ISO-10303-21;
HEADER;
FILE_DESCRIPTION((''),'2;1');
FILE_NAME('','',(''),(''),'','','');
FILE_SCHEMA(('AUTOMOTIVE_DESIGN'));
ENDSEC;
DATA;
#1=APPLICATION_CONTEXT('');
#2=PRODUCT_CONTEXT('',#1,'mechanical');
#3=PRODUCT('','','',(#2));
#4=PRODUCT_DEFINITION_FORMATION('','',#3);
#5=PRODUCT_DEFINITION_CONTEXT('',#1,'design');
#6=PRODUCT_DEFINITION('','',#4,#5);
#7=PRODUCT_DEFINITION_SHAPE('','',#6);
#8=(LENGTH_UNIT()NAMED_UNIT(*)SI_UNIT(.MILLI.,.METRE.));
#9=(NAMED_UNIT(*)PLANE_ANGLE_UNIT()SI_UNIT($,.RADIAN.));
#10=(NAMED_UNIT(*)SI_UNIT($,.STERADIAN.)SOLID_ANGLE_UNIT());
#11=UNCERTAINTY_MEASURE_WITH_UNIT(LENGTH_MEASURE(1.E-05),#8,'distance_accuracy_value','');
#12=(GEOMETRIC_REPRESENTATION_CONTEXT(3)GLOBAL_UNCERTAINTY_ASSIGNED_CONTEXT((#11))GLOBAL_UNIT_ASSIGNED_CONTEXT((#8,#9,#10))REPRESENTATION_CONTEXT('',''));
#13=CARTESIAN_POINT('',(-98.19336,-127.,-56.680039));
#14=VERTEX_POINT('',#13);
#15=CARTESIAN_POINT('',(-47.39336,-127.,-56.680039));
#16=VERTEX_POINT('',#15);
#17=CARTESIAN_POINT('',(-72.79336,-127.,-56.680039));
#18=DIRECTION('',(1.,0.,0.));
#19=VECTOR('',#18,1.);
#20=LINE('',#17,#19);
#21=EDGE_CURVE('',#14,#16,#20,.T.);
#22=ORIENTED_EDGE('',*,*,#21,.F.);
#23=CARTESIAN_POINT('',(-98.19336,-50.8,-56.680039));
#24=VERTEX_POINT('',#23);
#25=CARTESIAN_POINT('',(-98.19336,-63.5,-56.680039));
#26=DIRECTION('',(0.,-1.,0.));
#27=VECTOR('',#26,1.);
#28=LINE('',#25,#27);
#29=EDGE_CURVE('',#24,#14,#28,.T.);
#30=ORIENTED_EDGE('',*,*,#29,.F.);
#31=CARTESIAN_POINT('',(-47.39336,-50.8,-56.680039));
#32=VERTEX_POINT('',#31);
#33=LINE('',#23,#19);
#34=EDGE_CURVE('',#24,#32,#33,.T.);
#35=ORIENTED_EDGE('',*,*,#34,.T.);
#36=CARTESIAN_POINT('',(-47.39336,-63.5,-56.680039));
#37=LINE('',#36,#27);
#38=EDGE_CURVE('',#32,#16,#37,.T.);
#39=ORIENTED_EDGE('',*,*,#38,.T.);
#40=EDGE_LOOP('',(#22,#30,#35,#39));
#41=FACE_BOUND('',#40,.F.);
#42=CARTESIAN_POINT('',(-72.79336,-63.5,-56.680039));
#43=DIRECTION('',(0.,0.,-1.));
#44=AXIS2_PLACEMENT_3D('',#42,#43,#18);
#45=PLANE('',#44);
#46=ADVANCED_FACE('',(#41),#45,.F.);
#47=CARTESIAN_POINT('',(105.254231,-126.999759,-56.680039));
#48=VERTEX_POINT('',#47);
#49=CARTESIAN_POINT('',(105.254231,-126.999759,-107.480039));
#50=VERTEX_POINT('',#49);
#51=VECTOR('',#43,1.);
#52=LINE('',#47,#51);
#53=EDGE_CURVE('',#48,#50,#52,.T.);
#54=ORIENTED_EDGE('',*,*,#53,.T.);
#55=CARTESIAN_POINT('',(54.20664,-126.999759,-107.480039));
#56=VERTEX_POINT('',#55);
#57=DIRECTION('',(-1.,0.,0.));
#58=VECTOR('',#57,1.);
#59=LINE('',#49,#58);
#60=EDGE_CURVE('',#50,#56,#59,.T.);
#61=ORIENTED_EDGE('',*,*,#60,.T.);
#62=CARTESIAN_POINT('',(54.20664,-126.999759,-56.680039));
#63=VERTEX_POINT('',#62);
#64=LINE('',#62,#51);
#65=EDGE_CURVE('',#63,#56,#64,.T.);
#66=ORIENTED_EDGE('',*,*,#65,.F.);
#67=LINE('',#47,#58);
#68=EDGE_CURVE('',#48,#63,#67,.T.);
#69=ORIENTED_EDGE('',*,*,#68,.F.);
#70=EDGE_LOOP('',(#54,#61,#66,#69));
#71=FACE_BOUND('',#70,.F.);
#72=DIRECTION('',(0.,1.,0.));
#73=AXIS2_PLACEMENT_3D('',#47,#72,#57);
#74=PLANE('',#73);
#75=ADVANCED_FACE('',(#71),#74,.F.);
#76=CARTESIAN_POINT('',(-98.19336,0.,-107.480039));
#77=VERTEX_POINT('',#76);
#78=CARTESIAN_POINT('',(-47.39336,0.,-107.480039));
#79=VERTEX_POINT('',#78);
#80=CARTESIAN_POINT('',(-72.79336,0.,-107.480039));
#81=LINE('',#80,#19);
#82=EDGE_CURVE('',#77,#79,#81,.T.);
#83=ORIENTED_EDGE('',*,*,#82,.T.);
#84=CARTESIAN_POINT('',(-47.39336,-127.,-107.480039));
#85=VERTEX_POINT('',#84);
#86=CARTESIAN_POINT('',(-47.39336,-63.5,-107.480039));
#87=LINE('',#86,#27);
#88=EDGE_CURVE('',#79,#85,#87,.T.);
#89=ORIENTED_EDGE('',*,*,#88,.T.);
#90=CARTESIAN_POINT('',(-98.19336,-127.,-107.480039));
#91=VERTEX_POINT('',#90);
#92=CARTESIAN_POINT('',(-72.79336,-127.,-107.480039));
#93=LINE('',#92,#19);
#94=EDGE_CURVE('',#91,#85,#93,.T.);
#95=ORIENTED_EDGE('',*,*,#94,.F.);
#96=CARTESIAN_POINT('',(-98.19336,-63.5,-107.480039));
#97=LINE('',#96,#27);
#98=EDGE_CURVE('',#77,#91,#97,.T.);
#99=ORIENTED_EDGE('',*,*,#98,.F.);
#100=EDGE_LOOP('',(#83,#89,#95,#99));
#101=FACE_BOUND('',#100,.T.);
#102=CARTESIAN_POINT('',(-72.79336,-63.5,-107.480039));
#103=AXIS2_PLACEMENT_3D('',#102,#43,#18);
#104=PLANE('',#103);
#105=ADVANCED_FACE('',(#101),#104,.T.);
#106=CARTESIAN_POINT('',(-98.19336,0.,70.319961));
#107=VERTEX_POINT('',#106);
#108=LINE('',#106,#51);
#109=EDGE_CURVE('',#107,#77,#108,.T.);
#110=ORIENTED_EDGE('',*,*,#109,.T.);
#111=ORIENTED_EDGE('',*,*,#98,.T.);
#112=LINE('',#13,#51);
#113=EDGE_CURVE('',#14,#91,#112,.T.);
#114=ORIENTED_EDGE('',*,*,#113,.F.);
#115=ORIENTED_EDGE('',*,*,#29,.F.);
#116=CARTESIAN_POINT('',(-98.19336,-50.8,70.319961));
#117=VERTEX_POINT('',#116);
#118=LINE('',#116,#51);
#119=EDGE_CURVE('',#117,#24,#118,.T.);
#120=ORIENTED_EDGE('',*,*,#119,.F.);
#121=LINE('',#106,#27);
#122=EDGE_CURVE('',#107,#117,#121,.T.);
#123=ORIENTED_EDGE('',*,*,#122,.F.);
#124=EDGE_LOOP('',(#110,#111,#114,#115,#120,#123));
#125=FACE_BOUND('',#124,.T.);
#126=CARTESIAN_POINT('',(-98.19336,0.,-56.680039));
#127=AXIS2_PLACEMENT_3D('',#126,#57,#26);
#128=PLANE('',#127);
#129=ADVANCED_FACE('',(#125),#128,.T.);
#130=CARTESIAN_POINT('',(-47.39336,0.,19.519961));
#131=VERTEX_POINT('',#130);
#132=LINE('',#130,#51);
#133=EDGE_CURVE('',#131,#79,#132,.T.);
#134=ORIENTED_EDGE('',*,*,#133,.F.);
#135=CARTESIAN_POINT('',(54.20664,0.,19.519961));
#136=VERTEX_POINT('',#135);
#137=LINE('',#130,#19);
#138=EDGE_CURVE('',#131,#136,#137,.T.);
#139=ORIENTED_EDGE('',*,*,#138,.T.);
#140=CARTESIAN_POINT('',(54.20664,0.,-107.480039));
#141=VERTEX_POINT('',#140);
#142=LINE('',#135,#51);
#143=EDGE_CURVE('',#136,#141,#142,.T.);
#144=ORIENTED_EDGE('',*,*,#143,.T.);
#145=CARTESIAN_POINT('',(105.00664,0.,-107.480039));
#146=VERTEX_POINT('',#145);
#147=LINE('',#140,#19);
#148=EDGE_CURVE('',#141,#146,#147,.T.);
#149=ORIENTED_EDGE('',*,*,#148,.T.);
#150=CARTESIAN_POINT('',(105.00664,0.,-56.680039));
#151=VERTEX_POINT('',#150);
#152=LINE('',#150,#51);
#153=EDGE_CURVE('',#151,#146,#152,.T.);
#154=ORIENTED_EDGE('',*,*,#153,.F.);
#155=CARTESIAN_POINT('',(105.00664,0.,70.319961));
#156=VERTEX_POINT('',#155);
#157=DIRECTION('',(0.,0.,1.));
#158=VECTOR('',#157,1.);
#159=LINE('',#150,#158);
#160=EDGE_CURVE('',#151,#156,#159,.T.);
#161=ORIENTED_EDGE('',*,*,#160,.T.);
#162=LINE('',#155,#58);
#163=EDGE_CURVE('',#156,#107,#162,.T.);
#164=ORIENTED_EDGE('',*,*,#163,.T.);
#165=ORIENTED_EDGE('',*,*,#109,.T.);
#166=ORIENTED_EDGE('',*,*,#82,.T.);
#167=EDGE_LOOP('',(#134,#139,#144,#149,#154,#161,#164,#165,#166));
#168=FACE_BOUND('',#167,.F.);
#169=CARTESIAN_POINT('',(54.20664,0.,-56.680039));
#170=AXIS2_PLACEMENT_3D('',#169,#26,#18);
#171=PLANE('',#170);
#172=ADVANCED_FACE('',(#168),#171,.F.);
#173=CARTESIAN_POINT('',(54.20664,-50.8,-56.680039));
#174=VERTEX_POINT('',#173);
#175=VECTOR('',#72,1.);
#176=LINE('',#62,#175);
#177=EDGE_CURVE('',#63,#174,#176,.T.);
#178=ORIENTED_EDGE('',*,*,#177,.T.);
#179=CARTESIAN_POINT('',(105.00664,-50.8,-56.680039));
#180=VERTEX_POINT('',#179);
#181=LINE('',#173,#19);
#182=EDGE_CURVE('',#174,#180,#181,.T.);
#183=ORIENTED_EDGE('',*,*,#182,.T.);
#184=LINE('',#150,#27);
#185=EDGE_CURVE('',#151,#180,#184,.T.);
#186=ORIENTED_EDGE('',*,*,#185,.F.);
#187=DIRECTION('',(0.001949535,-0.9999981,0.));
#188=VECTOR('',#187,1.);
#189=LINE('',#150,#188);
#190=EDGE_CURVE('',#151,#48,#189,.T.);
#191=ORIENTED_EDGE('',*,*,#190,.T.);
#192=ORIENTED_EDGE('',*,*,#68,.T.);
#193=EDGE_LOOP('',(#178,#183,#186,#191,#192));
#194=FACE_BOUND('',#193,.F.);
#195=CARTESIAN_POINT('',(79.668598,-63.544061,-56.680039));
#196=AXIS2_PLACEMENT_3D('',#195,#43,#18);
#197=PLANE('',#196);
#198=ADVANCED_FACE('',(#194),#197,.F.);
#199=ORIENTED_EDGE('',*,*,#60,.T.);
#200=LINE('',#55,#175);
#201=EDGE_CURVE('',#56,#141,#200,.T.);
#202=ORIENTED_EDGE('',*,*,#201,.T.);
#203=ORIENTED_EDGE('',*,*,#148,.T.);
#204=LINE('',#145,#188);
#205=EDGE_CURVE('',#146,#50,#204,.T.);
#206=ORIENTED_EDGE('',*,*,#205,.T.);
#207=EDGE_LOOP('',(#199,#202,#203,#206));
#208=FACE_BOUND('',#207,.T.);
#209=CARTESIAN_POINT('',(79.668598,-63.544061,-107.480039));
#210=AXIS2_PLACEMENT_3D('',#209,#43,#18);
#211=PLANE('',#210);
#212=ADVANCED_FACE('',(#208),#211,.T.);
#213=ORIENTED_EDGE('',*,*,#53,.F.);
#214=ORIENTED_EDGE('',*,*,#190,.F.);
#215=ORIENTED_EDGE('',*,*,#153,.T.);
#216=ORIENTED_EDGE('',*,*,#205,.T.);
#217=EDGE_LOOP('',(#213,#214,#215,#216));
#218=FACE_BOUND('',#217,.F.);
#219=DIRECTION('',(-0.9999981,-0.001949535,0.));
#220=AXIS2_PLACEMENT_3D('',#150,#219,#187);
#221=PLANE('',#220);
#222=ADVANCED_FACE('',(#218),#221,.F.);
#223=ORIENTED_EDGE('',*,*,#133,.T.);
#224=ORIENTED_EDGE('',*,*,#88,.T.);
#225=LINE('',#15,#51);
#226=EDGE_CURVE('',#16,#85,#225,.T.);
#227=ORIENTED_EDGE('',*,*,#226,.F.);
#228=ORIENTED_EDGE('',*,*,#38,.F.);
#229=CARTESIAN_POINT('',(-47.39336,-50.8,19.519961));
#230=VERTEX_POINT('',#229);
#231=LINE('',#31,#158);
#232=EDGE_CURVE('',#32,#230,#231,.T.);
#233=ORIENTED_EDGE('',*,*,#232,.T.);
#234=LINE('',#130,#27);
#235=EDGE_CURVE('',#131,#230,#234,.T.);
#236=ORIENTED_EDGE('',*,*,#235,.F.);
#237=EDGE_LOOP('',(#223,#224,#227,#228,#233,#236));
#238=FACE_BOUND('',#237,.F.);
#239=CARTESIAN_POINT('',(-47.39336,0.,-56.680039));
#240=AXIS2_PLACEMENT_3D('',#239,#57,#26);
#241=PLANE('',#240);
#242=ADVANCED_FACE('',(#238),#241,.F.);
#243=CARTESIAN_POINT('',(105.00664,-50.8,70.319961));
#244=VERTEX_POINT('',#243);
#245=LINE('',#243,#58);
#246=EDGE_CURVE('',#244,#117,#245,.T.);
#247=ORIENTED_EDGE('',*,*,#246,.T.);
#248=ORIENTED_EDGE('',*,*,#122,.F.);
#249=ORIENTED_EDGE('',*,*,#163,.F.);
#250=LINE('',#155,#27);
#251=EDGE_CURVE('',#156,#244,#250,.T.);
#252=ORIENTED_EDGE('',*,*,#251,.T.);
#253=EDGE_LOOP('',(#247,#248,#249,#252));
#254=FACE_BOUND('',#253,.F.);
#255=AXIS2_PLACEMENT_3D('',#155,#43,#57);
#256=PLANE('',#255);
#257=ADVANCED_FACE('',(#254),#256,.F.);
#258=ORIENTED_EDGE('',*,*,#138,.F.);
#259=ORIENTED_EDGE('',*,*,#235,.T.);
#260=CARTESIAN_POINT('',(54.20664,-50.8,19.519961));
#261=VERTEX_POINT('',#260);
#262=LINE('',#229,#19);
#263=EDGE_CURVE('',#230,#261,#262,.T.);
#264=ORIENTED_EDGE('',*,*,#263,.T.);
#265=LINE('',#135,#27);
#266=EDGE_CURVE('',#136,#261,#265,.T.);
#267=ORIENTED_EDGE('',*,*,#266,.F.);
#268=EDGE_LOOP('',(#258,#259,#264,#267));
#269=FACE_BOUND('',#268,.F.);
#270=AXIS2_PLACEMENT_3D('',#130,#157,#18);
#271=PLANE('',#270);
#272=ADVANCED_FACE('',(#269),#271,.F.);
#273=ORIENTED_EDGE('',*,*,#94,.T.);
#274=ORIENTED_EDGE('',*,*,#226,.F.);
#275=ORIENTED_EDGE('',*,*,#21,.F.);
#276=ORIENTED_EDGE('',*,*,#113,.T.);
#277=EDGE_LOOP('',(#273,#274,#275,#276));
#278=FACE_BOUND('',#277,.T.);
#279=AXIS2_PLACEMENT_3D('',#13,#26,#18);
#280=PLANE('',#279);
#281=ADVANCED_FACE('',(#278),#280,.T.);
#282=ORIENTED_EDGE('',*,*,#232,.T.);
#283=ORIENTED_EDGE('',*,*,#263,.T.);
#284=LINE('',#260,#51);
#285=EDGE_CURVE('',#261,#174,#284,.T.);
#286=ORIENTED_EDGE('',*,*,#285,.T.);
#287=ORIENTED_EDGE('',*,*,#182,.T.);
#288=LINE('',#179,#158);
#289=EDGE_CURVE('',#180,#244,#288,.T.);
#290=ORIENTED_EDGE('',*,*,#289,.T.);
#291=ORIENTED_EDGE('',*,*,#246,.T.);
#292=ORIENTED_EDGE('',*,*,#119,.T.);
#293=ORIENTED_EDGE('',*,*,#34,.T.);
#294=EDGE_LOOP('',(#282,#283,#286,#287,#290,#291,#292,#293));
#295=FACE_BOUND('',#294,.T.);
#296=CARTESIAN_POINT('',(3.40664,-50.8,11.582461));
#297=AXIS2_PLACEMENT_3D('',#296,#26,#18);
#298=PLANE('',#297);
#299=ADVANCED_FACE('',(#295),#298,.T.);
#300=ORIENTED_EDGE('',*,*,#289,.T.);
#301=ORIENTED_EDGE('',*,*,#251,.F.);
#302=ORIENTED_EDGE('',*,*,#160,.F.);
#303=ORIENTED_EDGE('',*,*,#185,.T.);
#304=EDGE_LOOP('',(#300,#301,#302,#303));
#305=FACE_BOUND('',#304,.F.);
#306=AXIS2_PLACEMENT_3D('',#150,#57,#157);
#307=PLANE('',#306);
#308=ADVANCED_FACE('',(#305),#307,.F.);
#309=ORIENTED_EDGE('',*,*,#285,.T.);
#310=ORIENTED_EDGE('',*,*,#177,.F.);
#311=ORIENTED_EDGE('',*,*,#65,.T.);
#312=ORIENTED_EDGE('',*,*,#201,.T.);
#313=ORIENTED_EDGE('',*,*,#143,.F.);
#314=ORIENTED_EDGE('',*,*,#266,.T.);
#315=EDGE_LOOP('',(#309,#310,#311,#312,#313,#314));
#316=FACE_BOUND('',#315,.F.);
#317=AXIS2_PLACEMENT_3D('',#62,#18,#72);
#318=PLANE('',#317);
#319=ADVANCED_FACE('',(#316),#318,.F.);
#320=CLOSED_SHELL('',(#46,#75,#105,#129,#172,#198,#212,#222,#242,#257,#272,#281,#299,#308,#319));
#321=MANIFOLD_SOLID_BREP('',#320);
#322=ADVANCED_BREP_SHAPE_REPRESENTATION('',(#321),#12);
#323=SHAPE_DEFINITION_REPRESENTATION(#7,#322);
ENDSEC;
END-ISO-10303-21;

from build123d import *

# Parameters (mm, degrees)
F1_DEPTH = 50.8
F2_W     = 50.8
F2_H     = 127
F3_DEPTH = 50.8
F5_DEPTH = 50.8


with BuildPart() as f1:
    # F0 (on Front) → F1 (new body)
    with BuildSketch(Plane.XZ):
        Polygon((-98.19336, 70.319961), (-98.19336, -56.680039), (-47.39336, -56.680039), (-47.39336, 19.519961), (54.20664, 19.519961), (54.20664, -56.680039), (105.00664, -56.680039), (105.00664, 70.319961), align=None)
    extrude(amount=F1_DEPTH)

    # F2 (on face) → F3 (join)
    with BuildSketch(Plane(origin=(0, 0, -56.680039), x_dir=(1, 0, 0), z_dir=(0, 0, -1))):
        with Locations((-72.79336, 63.5)):
            Rectangle(F2_W, F2_H)
    extrude(amount=F3_DEPTH)

    # F4 (on face) → F5 (join)
    with BuildSketch(Plane(origin=(0, 0, -56.680039), x_dir=(1, 0, 0), z_dir=(0, 0, -1))):
        Polygon((54.20664, 126.999759), (54.20664, 0), (105.00664, 0), (105.254231, 126.999759), align=None)
    extrude(amount=F5_DEPTH)


solid = f1.part
